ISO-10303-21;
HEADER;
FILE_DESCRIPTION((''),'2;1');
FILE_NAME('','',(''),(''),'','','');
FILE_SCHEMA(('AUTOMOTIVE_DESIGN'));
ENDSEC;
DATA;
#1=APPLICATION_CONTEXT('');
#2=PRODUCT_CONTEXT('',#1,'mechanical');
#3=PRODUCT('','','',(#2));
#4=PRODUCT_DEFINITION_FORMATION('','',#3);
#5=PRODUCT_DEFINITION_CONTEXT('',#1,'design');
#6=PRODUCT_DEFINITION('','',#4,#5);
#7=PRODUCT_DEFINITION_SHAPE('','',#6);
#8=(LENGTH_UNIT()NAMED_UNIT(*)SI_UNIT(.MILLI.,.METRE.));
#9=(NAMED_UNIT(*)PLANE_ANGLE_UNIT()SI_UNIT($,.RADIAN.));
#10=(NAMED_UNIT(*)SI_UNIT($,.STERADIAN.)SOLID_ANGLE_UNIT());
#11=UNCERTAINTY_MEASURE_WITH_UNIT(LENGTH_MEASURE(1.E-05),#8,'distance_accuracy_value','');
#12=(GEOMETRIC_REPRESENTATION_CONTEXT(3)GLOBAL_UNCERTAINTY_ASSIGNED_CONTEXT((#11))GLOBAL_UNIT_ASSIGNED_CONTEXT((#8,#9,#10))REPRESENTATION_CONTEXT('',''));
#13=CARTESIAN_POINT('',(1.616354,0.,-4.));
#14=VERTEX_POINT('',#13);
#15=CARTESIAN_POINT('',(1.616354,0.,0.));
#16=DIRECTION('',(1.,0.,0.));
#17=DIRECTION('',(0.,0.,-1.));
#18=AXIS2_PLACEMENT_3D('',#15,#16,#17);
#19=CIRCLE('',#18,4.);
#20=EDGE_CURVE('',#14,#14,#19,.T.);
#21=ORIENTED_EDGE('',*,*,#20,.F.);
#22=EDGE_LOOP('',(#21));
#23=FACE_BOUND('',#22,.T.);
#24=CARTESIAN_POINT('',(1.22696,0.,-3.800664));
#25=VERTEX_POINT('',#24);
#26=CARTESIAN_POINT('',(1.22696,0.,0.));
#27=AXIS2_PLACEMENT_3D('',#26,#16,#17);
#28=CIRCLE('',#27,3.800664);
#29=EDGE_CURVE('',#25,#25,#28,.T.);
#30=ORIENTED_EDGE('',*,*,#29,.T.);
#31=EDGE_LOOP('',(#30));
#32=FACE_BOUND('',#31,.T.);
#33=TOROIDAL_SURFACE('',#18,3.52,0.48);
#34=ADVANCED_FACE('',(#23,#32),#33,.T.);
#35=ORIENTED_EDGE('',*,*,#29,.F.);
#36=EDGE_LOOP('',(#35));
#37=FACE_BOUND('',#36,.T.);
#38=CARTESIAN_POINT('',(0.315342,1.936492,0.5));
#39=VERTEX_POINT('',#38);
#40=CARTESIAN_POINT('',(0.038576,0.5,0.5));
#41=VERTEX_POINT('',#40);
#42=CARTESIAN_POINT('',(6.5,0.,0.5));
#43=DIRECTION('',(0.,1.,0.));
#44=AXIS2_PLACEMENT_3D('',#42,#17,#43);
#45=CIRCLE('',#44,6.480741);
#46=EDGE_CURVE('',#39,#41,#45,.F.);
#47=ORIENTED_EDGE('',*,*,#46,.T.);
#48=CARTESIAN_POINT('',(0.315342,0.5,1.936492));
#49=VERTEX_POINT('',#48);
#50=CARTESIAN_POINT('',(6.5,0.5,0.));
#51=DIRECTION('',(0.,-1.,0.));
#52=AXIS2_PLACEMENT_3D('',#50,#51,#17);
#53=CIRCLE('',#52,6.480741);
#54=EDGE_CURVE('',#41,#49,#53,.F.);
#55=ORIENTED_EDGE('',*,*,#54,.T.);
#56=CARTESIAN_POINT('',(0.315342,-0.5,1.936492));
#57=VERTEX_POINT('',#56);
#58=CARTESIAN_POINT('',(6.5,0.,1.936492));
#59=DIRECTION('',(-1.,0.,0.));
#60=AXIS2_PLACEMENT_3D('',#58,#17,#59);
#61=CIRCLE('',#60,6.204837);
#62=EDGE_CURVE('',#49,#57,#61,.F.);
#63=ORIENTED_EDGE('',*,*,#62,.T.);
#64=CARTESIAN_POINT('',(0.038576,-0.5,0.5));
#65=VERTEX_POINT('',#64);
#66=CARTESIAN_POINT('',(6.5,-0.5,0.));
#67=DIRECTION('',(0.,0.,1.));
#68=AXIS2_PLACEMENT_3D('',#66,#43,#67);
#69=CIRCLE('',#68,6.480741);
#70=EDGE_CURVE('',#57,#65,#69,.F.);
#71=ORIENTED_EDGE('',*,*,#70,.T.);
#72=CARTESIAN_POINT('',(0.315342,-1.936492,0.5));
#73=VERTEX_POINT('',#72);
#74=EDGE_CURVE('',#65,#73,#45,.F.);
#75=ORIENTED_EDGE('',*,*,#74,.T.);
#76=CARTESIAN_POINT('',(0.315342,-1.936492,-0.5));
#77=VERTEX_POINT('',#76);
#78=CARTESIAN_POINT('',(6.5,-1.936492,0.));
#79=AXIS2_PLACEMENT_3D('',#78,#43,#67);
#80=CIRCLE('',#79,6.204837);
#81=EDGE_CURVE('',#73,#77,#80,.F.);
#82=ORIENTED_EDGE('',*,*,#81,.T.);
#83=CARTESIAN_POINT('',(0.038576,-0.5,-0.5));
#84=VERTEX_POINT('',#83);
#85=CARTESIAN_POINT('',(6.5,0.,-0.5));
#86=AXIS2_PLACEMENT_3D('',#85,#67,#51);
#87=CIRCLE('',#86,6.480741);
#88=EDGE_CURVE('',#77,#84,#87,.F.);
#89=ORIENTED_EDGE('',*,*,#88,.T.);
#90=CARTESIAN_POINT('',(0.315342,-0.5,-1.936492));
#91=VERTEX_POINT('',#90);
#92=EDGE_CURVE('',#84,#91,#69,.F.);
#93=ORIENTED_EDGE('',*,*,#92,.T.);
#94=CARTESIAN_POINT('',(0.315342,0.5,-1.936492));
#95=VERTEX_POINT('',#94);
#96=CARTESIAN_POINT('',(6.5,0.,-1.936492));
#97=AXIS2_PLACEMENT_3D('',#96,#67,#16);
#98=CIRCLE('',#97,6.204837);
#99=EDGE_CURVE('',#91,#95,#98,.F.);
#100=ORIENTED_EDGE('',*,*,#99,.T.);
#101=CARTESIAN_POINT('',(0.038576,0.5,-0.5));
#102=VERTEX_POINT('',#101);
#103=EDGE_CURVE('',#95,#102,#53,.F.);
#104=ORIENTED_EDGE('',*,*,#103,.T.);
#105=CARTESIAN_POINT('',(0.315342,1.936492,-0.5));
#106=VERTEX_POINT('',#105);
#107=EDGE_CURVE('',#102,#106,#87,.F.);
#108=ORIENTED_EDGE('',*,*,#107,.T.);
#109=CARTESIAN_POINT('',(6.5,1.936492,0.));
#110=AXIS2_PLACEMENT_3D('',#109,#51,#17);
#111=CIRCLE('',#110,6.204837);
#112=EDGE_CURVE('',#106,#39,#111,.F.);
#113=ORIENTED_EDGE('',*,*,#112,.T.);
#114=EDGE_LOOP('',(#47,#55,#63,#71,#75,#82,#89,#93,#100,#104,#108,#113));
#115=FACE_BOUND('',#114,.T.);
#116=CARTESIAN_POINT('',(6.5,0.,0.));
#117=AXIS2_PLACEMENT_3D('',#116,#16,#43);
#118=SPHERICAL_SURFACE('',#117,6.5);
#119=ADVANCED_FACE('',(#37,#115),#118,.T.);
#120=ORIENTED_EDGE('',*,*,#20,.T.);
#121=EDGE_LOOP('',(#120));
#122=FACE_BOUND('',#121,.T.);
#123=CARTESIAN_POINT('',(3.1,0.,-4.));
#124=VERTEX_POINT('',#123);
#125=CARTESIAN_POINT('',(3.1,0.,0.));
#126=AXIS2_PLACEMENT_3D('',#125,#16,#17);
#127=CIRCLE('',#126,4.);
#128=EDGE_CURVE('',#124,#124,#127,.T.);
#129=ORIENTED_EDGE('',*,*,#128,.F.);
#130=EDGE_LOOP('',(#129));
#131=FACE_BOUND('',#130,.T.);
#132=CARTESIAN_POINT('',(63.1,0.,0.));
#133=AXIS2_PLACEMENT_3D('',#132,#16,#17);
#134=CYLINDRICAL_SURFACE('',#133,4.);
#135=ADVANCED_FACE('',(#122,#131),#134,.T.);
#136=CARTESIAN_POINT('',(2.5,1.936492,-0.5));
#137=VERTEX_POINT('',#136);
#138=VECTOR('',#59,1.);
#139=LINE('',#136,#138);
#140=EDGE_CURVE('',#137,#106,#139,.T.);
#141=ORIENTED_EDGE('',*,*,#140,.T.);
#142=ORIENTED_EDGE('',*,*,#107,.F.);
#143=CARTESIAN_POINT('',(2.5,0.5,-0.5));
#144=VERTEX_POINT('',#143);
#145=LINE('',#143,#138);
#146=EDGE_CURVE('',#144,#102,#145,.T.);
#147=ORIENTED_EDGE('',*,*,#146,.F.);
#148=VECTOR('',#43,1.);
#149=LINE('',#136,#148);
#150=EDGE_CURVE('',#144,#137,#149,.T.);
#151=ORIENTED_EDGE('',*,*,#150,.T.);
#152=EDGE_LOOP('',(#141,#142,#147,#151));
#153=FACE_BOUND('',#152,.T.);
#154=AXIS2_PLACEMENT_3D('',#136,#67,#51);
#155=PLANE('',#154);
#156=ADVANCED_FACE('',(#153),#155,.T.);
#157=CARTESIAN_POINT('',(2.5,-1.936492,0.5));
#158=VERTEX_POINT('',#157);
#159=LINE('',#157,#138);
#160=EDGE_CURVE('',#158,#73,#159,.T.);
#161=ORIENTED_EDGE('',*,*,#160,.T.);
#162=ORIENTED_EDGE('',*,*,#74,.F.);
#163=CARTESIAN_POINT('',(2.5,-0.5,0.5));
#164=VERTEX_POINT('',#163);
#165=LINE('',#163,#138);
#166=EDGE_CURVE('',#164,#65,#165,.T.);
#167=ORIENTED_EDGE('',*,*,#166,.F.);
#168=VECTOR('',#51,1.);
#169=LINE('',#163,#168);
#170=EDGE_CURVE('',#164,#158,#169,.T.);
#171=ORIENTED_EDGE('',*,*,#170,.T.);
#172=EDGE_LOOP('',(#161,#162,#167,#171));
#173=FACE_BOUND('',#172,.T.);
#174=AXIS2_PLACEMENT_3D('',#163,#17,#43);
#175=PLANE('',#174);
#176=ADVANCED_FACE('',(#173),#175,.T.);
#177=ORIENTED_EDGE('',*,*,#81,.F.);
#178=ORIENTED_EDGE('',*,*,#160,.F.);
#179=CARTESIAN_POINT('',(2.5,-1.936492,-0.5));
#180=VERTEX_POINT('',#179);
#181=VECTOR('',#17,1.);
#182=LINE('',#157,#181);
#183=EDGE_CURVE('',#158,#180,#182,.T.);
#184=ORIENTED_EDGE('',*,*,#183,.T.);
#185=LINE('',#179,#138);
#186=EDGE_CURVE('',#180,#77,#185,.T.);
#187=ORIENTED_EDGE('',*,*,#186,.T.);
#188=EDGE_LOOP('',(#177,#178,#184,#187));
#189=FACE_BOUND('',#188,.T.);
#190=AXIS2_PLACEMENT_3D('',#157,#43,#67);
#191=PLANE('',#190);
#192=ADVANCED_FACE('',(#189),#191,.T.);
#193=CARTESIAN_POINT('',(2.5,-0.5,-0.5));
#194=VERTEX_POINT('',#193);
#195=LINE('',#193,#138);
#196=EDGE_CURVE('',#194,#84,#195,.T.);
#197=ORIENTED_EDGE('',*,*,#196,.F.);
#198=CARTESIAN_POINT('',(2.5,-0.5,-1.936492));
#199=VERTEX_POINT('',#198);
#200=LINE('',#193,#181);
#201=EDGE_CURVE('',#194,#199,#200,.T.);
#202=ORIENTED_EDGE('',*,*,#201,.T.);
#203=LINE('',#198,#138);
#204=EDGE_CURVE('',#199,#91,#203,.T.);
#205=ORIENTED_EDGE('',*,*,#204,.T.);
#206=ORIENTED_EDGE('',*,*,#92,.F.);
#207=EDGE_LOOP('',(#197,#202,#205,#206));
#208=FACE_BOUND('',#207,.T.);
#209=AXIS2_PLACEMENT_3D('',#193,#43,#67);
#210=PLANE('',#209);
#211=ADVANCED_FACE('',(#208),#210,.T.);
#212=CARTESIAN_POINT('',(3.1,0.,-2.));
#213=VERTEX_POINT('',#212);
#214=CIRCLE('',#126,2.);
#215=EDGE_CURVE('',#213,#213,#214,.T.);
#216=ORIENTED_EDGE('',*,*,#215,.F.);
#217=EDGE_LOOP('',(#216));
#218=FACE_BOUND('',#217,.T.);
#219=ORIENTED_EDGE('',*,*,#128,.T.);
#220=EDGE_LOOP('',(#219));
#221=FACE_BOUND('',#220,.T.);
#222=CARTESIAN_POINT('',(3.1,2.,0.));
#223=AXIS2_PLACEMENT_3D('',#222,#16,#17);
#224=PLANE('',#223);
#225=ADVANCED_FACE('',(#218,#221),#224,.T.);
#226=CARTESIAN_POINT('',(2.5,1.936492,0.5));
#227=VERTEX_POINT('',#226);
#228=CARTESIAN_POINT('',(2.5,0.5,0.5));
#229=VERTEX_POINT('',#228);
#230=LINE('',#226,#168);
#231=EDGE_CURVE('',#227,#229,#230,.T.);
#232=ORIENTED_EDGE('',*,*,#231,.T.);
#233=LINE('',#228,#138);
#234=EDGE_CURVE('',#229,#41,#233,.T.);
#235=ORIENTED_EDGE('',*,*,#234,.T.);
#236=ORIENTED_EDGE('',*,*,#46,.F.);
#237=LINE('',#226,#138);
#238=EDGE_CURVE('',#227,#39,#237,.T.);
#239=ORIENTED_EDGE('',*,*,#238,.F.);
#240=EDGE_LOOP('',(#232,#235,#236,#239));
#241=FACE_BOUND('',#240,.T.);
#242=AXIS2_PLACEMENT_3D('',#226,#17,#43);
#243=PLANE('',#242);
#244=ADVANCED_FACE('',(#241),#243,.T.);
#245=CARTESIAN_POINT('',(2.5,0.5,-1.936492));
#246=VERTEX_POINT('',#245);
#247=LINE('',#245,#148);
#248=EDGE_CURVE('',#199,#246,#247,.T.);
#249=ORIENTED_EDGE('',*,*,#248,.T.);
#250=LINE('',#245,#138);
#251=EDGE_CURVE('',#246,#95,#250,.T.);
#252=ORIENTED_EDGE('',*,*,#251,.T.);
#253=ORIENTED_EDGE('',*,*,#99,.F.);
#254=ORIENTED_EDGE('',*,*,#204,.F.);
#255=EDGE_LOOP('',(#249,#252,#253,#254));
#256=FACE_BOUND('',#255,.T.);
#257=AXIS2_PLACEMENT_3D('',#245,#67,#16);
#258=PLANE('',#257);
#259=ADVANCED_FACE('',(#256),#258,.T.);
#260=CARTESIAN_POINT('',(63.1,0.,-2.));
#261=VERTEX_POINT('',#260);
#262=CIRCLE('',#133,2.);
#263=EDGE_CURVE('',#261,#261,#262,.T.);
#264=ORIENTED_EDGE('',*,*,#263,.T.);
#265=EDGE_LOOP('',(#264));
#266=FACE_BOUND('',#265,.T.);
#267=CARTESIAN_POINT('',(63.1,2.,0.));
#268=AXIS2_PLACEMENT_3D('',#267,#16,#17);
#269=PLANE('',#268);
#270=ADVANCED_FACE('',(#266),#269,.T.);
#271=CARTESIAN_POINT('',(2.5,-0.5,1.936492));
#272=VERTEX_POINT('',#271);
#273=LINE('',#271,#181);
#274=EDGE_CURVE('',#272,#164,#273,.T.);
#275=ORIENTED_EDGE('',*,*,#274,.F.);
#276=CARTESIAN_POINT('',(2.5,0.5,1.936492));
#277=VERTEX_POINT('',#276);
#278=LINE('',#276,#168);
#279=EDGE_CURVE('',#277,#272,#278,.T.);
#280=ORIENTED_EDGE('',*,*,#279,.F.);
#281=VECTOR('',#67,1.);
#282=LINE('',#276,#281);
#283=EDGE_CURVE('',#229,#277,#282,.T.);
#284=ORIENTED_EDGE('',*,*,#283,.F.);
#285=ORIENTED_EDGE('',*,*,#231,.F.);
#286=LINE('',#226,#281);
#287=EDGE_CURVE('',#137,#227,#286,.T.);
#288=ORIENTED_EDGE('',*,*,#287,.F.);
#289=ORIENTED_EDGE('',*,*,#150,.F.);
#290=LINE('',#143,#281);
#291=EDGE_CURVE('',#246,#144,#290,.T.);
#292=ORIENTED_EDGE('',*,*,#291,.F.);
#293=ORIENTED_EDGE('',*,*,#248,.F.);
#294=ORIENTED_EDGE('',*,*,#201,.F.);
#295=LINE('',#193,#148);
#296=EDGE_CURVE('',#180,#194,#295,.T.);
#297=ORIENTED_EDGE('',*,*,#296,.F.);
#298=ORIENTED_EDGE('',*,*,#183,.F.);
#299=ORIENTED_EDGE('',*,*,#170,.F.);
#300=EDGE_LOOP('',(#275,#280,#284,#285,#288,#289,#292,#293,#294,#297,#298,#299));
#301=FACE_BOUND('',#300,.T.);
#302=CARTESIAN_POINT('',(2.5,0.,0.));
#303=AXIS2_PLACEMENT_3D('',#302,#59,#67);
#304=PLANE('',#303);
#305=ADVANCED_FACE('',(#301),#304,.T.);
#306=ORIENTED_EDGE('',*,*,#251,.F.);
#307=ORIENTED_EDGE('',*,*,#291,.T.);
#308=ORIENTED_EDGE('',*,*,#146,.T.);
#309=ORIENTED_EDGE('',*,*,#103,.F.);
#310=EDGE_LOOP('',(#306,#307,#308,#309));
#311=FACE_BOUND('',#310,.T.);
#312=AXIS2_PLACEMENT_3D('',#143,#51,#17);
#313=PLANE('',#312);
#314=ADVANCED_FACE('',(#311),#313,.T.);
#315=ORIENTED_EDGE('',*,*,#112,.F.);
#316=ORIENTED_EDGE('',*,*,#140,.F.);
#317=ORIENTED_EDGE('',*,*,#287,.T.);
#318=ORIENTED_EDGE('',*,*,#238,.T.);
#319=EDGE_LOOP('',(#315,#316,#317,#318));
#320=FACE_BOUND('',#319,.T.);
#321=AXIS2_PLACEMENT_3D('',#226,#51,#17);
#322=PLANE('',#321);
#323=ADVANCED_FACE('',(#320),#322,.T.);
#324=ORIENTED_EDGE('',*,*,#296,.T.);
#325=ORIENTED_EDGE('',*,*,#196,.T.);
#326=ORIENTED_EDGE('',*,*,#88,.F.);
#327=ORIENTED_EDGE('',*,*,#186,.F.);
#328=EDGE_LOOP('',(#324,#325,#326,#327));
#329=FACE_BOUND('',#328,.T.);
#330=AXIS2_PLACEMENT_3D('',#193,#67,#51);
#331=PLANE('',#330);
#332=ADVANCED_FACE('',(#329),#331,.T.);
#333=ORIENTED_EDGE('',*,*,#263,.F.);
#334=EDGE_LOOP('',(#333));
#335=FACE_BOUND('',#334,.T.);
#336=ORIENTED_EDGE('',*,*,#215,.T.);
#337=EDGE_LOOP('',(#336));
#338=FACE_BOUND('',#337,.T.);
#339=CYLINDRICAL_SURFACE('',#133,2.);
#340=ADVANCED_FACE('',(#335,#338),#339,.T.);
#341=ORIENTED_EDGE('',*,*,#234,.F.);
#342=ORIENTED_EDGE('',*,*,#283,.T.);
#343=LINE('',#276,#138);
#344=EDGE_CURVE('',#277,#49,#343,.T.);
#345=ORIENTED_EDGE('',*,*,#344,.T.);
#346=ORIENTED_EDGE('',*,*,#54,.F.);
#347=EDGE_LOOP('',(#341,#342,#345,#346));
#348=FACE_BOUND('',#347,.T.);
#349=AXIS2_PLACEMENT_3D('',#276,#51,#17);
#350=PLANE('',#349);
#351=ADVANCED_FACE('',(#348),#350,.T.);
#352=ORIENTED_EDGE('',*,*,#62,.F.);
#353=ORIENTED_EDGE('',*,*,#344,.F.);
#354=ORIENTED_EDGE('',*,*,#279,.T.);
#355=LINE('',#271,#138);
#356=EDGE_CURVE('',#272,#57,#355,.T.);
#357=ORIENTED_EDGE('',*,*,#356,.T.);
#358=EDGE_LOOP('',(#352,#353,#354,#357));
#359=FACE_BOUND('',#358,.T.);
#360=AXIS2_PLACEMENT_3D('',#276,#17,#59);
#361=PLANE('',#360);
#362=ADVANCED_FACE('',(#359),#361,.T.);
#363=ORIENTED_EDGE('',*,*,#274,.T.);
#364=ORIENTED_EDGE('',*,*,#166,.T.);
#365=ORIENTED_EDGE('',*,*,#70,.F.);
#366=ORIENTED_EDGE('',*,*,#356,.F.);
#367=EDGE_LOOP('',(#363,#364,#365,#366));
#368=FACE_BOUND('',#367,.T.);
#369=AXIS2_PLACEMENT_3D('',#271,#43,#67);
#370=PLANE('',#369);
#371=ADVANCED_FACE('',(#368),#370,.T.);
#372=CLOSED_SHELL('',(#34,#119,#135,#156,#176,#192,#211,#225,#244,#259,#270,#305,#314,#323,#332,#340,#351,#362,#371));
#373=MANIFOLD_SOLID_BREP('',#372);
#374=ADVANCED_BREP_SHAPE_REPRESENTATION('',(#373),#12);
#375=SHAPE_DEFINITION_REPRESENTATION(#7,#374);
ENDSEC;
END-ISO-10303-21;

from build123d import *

# Parameters (mm, degrees)
CUT_EXTRUDE4_DEPTH = 2.5


with BuildPart() as part:
    # Sketch1 → Revolve1 (revolve)
    with BuildSketch(Plane.XY, mode=Mode.PRIVATE) as revolve1_sk:
        with BuildLine():
            Line((3.1, 2), (3.1, 4))
            Line((3.1, 4), (1.616353821, 4))
            ThreePointArc((1.616353821, 4), (1.397629036, 3.947269784), (1.226960106, 3.800664452))
            ThreePointArc((1.226960106, 3.800664452), (0.314340807, 1.996902688), (0, 0))
            Line((0, 0), (63.1, 0))
            Line((63.1, 0), (63.1, 2))
            Line((63.1, 2), (3.1, 2))
        make_face()
    revolve(revolve1_sk.sketch.rotate(Axis((63.1, 0, 0), (-1, 0, 0)), 90), axis=Axis((63.1, 0, 0), (-1, 0, 0)))

    # Sketch2 → Cut-Extrude4 (cut)
    with BuildSketch(Plane(origin=(0, 0, 0), x_dir=(0, 0, -1), z_dir=(1, 0, 0))):
        Polygon((-0.5, -0.5), (-0.5, -1.936491673), (0.5, -1.936491673), (0.5, -0.5), (1.936491673, -0.5), (1.936491673, 0.5), (0.5, 0.5), (0.5, 1.936491673), (-0.5, 1.936491673), (-0.5, 0.5), (-1.936491673, 0.5), (-1.936491673, -0.5), align=None)
    extrude(amount=CUT_EXTRUDE4_DEPTH, mode=Mode.SUBTRACT)


solid = part.part
